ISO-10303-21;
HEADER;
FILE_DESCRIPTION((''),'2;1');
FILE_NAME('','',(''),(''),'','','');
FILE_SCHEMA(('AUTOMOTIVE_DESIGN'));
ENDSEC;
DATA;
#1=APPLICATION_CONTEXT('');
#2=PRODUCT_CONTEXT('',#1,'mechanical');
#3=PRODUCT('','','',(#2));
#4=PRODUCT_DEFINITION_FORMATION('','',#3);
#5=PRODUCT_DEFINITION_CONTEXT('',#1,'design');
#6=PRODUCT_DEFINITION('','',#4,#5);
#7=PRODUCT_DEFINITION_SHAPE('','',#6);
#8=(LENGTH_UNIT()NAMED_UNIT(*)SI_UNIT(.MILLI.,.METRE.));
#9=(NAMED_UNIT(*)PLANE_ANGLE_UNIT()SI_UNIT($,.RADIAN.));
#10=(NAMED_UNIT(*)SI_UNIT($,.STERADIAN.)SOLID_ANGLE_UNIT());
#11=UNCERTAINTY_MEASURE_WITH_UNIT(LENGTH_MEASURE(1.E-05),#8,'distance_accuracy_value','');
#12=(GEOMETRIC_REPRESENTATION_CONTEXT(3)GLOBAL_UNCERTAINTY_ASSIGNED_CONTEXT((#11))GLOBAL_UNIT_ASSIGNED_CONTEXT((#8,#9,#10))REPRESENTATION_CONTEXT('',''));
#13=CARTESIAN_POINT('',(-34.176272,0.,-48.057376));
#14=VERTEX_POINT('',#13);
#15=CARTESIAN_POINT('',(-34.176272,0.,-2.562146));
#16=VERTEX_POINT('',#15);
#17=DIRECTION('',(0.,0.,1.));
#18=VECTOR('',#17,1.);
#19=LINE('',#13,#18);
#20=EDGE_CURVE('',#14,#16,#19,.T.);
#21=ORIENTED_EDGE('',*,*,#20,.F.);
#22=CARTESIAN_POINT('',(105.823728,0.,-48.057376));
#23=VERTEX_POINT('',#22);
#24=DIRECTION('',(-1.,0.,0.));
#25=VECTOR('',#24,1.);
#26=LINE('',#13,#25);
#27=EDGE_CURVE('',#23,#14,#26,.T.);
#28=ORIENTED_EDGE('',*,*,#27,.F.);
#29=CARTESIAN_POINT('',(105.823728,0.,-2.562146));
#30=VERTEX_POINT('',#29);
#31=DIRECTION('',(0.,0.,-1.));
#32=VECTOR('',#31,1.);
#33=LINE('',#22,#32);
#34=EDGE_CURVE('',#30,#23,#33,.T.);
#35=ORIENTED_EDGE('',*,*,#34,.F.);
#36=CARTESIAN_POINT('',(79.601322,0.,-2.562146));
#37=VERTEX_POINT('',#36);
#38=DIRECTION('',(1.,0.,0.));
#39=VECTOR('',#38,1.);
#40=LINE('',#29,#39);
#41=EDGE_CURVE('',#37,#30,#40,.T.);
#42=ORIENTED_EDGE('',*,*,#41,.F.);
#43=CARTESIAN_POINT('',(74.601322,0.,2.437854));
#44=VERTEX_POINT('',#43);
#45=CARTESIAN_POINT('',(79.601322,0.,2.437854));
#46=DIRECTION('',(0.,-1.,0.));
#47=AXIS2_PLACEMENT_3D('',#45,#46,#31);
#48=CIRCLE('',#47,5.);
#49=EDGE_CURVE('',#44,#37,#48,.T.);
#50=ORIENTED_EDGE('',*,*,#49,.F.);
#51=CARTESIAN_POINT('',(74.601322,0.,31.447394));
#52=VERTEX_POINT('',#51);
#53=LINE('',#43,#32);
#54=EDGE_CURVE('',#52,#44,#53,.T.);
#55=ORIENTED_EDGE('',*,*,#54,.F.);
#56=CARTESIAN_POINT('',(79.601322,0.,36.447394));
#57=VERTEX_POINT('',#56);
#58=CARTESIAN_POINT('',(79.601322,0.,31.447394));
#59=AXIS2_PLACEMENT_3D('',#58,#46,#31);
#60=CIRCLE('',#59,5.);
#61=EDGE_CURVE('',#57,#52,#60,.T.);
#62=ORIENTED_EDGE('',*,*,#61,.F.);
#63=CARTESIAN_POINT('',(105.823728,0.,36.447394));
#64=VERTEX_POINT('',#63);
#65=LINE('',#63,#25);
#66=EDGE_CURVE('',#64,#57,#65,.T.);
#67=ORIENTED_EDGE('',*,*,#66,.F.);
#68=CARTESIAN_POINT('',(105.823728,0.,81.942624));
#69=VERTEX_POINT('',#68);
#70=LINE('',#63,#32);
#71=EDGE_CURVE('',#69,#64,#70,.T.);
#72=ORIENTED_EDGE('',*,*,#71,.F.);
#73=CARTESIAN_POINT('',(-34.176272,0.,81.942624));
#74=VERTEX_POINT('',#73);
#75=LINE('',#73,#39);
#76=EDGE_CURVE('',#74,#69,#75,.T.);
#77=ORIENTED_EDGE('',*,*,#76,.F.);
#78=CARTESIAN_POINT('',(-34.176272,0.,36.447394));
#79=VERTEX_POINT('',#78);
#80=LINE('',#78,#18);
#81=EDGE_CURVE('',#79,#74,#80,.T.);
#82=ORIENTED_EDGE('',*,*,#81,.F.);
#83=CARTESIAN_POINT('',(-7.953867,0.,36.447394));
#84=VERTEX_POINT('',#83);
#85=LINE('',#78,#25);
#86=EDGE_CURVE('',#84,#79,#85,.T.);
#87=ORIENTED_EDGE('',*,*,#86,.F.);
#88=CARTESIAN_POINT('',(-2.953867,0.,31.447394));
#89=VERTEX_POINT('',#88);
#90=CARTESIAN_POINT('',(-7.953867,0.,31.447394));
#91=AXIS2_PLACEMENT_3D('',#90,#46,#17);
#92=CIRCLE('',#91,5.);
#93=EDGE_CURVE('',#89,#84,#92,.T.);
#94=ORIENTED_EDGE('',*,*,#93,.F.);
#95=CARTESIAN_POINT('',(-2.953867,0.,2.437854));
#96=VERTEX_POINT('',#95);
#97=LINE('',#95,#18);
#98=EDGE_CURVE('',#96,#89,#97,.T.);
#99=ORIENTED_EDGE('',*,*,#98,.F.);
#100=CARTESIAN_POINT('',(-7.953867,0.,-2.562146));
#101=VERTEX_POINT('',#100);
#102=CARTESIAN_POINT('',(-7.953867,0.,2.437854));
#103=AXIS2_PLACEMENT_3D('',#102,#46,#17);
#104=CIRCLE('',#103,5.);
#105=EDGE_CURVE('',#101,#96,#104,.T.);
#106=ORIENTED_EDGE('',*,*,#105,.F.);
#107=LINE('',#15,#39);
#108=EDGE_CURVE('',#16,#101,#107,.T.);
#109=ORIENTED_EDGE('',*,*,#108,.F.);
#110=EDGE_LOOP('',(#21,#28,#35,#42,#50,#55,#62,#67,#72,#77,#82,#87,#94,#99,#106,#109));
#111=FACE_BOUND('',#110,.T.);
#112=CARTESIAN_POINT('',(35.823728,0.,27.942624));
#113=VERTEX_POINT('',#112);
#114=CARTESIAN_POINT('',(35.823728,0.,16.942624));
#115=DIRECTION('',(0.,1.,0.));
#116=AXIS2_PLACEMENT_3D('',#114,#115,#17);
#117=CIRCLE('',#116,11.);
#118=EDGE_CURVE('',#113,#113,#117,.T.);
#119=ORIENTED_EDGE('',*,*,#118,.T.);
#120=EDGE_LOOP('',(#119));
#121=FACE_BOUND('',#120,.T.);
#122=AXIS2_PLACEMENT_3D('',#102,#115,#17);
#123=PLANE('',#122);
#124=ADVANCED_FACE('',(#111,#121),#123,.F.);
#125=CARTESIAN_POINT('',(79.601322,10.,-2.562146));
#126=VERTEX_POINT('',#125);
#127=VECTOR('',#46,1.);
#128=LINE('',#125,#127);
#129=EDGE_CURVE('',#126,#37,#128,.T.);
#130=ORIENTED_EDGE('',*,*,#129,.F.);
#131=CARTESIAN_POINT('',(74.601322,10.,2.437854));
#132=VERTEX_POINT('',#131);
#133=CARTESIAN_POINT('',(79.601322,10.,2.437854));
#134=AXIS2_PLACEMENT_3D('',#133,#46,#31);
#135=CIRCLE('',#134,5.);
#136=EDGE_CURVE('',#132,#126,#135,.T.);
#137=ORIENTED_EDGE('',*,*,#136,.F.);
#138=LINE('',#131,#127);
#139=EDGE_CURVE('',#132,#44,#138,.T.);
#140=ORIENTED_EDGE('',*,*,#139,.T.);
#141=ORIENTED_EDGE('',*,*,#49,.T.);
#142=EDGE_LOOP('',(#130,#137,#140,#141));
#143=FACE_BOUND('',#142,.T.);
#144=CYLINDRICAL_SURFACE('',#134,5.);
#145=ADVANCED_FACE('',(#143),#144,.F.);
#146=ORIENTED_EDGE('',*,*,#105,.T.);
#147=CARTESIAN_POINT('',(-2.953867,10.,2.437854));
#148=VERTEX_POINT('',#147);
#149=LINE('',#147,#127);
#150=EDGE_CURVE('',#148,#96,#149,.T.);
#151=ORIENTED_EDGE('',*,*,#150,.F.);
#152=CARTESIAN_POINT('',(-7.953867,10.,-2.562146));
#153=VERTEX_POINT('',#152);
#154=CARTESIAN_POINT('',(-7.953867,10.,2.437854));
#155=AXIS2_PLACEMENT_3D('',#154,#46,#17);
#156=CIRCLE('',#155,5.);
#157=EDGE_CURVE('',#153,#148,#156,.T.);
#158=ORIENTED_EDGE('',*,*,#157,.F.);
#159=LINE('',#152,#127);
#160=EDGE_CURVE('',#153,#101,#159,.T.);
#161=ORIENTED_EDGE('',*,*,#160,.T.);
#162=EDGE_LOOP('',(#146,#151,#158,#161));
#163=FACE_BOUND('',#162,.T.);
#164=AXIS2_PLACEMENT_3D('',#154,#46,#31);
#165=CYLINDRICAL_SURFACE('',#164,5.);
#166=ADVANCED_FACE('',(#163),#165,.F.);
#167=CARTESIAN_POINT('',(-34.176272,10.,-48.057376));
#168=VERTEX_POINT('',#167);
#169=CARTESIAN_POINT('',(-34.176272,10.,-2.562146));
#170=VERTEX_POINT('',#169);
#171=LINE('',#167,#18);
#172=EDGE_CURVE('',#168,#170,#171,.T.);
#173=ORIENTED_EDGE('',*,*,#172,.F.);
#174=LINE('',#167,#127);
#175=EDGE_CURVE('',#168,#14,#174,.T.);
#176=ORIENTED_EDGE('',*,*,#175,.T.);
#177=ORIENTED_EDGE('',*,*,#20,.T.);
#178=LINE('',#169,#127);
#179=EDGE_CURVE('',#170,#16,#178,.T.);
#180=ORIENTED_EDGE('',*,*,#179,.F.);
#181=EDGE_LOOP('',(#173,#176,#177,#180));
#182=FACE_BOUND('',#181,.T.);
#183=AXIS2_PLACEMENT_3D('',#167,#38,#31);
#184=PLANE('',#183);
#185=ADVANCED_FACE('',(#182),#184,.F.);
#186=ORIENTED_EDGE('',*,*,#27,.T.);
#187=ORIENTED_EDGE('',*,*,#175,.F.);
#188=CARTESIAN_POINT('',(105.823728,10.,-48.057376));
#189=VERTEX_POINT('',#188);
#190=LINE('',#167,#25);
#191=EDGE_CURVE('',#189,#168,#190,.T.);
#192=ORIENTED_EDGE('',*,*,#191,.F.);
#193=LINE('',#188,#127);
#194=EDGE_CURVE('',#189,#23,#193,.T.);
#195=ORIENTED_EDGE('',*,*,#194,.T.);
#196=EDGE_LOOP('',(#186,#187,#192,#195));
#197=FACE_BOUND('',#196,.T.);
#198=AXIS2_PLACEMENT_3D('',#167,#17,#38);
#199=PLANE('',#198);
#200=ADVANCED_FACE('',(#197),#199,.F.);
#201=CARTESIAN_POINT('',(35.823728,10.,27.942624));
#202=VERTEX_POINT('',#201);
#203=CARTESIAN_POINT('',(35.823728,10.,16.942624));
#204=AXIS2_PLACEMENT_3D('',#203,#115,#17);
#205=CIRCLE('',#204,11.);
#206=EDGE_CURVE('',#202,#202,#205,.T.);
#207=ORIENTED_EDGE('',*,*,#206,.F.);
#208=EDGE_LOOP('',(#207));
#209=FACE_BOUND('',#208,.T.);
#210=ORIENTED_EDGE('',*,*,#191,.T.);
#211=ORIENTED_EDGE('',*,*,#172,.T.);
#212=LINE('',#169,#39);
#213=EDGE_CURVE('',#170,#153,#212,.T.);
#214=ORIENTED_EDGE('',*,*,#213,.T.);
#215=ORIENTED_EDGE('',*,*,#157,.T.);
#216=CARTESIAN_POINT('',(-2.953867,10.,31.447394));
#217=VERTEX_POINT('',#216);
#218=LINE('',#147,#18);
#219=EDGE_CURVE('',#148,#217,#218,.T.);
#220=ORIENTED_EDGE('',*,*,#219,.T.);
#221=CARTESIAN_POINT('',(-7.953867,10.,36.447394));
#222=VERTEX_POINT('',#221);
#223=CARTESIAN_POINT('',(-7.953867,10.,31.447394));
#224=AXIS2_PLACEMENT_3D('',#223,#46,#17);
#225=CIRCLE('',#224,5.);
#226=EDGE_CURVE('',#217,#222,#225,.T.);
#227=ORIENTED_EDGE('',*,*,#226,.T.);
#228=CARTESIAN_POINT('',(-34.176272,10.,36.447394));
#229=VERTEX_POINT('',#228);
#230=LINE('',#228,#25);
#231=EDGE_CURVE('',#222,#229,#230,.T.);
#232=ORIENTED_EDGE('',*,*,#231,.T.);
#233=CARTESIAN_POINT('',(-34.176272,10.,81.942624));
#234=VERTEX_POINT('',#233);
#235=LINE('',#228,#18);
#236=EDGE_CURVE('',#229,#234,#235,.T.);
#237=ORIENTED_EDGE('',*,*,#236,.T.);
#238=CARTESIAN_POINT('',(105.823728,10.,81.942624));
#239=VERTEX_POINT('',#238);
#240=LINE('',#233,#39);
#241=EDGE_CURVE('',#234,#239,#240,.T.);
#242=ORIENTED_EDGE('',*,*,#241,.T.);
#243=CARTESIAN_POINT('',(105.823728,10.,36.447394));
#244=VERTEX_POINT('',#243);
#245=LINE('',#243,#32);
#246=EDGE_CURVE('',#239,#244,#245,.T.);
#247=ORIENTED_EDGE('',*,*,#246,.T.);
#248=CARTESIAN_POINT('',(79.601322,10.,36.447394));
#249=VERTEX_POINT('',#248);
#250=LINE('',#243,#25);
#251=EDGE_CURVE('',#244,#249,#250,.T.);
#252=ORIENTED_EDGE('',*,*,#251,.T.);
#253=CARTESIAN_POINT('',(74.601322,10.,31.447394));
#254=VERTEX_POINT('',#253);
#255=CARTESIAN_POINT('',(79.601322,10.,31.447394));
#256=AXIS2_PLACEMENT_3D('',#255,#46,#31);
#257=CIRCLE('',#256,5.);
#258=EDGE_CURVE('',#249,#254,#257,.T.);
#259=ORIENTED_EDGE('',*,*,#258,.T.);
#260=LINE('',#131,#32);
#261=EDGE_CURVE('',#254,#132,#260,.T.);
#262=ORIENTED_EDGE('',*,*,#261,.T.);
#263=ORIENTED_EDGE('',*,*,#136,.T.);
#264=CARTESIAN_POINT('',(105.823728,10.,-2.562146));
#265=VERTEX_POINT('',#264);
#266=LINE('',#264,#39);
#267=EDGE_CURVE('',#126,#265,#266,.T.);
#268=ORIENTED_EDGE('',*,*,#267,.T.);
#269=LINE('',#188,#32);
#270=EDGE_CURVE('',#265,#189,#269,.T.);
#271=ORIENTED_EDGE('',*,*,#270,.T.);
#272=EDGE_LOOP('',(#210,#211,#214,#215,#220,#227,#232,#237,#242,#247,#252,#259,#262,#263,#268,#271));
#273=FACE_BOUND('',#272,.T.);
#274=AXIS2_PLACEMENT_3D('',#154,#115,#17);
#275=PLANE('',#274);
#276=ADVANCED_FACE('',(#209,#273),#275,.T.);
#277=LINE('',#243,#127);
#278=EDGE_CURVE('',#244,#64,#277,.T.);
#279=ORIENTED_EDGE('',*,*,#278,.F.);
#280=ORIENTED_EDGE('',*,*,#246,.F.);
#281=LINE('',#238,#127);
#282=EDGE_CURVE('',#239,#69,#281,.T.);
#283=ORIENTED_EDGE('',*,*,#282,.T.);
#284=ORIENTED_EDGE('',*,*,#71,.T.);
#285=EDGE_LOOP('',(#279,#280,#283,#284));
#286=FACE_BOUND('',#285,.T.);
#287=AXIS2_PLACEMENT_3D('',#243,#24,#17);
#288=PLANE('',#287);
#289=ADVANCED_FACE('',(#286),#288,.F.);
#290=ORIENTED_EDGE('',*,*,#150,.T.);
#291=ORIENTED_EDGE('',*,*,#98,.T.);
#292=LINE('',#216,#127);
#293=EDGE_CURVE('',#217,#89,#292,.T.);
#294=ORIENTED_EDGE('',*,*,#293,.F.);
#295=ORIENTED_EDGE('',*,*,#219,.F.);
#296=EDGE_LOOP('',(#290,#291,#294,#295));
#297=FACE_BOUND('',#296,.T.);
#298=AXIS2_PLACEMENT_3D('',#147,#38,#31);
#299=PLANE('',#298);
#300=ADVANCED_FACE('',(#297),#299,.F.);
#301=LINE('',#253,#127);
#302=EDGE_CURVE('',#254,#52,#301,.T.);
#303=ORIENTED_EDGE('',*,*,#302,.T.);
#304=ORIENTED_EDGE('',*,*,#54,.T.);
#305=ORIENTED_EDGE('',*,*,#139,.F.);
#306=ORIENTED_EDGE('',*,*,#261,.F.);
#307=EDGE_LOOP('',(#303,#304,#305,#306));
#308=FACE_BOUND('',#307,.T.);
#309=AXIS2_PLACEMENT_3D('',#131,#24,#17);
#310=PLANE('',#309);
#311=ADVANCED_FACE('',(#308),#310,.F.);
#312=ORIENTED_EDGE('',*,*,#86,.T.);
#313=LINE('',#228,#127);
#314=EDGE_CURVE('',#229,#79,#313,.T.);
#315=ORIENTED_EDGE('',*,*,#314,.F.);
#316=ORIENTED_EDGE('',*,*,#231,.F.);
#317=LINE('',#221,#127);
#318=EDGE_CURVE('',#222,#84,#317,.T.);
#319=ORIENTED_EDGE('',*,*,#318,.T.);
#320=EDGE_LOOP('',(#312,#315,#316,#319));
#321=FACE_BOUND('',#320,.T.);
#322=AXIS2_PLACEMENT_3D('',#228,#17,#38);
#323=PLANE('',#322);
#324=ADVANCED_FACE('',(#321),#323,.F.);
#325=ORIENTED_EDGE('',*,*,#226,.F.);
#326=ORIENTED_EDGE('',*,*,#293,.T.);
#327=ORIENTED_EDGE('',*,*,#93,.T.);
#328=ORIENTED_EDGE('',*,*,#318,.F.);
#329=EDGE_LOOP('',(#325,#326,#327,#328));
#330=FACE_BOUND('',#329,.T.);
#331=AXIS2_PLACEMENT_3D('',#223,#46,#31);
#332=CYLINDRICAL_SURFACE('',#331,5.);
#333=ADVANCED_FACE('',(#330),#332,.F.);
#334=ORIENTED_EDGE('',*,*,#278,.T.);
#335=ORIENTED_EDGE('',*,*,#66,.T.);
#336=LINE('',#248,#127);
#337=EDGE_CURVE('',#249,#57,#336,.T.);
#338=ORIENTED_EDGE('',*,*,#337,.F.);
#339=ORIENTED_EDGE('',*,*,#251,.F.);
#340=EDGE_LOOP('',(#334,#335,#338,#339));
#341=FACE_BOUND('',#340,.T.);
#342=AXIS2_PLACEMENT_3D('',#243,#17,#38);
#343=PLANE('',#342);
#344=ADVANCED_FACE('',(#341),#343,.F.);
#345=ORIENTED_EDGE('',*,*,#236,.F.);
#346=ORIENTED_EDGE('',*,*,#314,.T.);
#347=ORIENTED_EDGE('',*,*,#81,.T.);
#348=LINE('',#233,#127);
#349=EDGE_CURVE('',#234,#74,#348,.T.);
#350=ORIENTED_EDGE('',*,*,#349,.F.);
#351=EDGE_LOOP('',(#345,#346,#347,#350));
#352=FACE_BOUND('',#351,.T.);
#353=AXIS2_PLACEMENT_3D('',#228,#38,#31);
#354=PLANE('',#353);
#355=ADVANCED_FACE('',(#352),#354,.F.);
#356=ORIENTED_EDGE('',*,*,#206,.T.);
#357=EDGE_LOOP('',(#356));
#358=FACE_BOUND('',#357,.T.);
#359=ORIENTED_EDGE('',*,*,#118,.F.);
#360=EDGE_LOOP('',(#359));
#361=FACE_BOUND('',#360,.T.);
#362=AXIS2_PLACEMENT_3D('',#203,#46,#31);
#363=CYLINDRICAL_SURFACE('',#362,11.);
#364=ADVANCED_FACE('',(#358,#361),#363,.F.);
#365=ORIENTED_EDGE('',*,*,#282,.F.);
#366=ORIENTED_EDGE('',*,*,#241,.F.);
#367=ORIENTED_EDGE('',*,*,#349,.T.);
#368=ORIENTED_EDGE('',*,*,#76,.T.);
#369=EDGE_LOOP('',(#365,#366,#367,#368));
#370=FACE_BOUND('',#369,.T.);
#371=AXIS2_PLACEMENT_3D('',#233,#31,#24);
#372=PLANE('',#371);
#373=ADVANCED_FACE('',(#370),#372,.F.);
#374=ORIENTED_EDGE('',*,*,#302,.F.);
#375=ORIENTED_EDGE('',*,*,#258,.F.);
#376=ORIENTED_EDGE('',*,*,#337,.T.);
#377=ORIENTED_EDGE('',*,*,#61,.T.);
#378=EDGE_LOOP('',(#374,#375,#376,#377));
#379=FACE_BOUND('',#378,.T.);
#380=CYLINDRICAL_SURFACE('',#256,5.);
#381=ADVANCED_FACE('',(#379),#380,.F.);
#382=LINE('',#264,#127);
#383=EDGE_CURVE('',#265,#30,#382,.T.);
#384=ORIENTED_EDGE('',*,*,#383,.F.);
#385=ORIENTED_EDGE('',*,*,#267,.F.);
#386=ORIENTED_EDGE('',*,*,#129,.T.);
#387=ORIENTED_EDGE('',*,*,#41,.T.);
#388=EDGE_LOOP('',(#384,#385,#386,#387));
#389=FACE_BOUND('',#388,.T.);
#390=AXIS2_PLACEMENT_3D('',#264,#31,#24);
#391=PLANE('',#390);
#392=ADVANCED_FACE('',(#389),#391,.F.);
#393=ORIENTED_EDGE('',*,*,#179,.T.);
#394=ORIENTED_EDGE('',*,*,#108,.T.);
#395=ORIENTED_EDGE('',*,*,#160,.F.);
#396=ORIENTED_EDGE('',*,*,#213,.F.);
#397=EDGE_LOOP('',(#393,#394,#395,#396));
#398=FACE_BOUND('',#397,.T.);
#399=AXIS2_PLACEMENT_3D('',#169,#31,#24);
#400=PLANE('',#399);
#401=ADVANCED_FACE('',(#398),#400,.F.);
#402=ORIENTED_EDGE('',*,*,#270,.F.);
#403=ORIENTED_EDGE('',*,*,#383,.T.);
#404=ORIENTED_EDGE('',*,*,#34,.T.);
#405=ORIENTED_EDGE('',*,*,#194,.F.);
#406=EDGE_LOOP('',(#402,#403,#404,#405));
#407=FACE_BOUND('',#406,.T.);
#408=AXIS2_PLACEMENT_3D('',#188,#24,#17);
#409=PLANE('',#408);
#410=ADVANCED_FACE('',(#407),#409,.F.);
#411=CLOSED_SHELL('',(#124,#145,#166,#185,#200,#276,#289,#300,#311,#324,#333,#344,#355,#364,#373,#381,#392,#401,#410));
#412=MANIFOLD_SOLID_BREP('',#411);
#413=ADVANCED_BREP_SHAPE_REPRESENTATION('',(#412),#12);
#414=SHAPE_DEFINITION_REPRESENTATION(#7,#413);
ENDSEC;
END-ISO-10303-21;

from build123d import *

# Parameters (mm, degrees)
SKETCH_1_R      = 11
EXTRUDE_1_DEPTH = 10


with BuildPart() as part:
    # Эскиз1 → Вытянуть1 (new body)
    with BuildSketch(Plane(origin=(0, 0, 0), x_dir=(1, 0, 0), z_dir=(0, 1, 0))):
        with BuildLine():
            Line((-34.176272466, 48.057375978), (105.823727534, 48.057375978))
            Line((105.823727534, 48.057375978), (105.823727534, 2.562145774))
            Line((105.823727534, 2.562145774), (79.601322316, 2.562145774))
            ThreePointArc((79.601322316, 2.562145774), (76.06578841, 1.09767968), (74.601322316, -2.437854226))
            Line((74.601322316, -2.437854226), (74.601322316, -31.447393818))
            ThreePointArc((74.601322316, -31.447393818), (76.06578841, -34.982927724), (79.601322316, -36.447393818))
            Line((79.601322316, -36.447393818), (105.823727534, -36.447393818))
            Line((105.823727534, -36.447393818), (105.823727534, -81.942624022))
            Line((105.823727534, -81.942624022), (-34.176272466, -81.942624022))
            Line((-34.176272466, -81.942624022), (-34.176272466, -36.447393818))
            Line((-34.176272466, -36.447393818), (-7.953867248, -36.447393818))
            ThreePointArc((-7.953867248, -36.447393818), (-4.418333342, -34.982927724), (-2.953867248, -31.447393818))
            Line((-2.953867248, -31.447393818), (-2.953867248, -2.437854226))
            ThreePointArc((-2.953867248, -2.437854226), (-4.418333342, 1.09767968), (-7.953867248, 2.562145774))
            Line((-7.953867248, 2.562145774), (-34.176272466, 2.562145774))
            Line((-34.176272466, 2.562145774), (-34.176272466, 48.057375978))
        make_face()
        with Locations(Location((35.823727534, -16.942624022, 0), (0, 0, 270))):
            Circle(SKETCH_1_R, mode=Mode.SUBTRACT)
    extrude(amount=EXTRUDE_1_DEPTH)


solid = part.part
